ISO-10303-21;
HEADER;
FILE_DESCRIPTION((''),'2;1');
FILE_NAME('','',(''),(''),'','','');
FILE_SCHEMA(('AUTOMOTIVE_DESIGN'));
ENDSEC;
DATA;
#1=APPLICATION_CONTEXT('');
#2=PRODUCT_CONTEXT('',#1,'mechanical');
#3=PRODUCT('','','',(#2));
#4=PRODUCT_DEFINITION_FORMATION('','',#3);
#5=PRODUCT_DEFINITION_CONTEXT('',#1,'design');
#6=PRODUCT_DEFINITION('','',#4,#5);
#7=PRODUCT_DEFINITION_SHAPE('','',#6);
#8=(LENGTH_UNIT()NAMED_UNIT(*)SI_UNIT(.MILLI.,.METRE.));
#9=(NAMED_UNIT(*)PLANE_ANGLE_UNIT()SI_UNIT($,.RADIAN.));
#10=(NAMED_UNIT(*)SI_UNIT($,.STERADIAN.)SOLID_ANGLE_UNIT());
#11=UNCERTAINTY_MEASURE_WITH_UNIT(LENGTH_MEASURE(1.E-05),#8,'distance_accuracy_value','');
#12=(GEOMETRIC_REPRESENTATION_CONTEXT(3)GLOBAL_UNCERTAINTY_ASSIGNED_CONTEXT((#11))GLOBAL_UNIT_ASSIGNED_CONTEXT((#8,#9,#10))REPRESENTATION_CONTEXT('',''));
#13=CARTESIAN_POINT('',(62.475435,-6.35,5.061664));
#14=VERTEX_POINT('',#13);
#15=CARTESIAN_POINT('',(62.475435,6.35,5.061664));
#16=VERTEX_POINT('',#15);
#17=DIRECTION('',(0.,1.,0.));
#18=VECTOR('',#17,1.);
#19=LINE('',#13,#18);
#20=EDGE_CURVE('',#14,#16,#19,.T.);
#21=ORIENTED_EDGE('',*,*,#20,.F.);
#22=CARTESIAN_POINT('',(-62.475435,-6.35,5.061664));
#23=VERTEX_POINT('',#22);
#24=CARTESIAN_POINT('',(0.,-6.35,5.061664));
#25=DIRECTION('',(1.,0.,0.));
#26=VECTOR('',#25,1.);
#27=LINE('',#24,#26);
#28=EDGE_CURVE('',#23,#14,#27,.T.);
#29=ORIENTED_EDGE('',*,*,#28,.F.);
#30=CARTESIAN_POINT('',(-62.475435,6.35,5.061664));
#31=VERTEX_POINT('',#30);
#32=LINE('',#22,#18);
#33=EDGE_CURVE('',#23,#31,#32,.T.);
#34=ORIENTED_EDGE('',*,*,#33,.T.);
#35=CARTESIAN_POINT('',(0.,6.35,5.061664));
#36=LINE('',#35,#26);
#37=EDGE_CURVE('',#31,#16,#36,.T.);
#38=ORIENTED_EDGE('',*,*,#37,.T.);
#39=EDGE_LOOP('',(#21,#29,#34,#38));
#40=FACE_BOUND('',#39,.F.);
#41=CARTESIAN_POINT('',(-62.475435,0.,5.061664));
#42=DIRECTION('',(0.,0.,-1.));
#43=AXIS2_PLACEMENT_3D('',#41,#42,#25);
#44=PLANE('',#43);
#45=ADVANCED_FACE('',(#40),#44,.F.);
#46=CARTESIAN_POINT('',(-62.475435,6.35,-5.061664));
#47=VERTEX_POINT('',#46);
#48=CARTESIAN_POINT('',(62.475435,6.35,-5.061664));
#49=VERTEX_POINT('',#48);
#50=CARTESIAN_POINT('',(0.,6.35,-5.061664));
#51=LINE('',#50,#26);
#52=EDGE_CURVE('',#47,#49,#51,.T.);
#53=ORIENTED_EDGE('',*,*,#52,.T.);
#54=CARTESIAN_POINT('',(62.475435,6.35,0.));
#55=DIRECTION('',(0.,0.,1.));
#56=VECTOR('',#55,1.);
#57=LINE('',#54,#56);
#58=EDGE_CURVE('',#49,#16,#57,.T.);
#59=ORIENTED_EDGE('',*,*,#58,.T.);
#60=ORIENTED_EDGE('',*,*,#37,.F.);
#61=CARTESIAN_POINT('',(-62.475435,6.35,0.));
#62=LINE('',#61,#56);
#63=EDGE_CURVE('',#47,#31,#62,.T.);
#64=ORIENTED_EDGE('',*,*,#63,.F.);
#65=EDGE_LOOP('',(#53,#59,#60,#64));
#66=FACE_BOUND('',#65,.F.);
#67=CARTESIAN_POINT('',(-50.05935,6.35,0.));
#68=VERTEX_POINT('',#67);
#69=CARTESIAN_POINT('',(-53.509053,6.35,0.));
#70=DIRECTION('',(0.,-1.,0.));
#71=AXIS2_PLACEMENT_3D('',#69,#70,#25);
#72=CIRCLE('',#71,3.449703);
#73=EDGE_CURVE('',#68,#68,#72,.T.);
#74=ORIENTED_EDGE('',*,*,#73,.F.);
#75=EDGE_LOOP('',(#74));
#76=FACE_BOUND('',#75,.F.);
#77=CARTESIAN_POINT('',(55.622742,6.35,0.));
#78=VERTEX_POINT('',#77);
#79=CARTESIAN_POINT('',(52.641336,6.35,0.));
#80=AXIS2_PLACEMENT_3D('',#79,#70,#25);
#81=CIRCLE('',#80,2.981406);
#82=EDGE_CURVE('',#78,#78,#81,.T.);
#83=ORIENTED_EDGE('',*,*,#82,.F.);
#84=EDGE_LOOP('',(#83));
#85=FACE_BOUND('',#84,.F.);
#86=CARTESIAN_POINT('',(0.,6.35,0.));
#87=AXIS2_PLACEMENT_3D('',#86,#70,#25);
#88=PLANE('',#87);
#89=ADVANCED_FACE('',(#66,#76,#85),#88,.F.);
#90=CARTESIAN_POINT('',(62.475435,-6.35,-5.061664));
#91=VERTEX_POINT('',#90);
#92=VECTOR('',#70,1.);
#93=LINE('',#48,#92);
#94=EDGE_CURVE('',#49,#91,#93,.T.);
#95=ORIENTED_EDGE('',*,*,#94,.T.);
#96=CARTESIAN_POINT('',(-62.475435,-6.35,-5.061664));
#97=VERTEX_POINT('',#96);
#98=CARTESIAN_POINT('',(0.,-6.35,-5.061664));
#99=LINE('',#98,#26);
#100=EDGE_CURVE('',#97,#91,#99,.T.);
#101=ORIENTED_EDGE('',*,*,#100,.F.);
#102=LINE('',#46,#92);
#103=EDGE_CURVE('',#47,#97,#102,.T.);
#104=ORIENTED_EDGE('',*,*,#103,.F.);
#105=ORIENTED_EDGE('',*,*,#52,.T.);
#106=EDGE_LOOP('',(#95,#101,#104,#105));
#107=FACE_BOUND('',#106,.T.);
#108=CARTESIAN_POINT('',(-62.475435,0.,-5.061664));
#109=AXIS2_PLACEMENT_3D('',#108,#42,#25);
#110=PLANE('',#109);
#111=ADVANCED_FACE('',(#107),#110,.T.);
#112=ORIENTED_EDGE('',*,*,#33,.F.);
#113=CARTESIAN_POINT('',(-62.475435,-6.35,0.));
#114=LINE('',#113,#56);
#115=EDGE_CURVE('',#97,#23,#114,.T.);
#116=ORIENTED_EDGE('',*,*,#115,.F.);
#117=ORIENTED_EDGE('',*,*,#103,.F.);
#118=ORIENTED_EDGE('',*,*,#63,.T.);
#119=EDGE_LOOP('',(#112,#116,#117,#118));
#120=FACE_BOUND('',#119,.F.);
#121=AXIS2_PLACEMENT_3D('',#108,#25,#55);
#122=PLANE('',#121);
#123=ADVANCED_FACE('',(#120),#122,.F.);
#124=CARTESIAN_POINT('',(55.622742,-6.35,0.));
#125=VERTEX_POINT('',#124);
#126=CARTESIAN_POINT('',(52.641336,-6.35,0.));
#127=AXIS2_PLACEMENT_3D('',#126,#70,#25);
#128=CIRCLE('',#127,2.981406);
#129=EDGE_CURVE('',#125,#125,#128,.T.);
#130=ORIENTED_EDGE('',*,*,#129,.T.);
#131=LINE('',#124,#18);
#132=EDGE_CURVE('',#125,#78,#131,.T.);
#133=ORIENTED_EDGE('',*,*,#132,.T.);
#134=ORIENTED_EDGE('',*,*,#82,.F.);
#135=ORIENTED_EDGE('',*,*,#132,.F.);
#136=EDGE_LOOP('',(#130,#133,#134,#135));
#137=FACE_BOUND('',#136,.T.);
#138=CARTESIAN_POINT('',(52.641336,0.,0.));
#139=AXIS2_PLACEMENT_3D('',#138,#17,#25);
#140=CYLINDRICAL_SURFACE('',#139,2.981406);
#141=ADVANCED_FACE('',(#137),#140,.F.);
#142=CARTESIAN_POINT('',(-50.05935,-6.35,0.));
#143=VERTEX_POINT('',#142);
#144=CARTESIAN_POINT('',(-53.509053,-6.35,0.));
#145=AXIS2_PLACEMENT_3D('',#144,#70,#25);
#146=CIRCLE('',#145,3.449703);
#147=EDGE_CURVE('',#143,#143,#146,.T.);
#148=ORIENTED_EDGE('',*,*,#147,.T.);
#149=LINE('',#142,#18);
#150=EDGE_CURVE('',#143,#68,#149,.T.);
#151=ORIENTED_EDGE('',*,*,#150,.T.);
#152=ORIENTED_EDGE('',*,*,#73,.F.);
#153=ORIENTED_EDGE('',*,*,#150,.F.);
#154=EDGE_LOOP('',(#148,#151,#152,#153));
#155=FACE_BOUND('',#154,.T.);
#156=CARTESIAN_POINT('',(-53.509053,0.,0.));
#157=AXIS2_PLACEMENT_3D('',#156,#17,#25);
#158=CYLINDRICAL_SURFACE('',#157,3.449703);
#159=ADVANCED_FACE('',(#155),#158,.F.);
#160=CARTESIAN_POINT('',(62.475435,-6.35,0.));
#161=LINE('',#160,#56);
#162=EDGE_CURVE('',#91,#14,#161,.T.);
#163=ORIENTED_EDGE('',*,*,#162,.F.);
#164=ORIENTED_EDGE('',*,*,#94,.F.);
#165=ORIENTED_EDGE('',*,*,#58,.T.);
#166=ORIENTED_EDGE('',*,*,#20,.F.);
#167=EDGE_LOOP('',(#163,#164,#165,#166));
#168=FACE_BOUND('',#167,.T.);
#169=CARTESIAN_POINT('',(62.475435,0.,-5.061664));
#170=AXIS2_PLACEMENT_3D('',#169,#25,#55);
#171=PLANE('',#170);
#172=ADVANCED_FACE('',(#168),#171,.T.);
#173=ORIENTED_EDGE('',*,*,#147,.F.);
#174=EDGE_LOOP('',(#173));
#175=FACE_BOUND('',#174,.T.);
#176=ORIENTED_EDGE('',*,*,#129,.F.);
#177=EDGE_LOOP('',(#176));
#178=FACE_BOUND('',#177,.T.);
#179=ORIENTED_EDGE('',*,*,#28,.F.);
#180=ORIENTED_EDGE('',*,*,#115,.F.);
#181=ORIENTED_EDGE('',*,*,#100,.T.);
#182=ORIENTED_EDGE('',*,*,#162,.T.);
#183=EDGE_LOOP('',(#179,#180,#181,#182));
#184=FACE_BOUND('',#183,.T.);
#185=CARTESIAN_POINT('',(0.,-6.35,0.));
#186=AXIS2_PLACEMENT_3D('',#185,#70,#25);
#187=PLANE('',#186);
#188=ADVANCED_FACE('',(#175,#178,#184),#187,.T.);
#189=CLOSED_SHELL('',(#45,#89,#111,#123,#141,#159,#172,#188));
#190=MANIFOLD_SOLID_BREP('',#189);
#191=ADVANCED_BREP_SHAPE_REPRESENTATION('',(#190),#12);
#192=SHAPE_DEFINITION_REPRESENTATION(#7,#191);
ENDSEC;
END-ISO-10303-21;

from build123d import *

# Parameters (mm, degrees)
F0_W     = 124.95087
F0_H     = 10.123328
F0_R     = 3.449703
F0_R_2   = 2.981406
F1_DEPTH = 6.35


with BuildPart() as f1:
    # F0 (on Front) → F1 (new body, symmetric)
    with BuildSketch(Plane.XZ):
        Rectangle(F0_W, F0_H)
        with Locations((-53.509053, 0)):
            Circle(F0_R, mode=Mode.SUBTRACT)
        with Locations((52.641336, 0)):
            Circle(F0_R_2, mode=Mode.SUBTRACT)
    extrude(amount=F1_DEPTH, both=True)


solid = f1.part
